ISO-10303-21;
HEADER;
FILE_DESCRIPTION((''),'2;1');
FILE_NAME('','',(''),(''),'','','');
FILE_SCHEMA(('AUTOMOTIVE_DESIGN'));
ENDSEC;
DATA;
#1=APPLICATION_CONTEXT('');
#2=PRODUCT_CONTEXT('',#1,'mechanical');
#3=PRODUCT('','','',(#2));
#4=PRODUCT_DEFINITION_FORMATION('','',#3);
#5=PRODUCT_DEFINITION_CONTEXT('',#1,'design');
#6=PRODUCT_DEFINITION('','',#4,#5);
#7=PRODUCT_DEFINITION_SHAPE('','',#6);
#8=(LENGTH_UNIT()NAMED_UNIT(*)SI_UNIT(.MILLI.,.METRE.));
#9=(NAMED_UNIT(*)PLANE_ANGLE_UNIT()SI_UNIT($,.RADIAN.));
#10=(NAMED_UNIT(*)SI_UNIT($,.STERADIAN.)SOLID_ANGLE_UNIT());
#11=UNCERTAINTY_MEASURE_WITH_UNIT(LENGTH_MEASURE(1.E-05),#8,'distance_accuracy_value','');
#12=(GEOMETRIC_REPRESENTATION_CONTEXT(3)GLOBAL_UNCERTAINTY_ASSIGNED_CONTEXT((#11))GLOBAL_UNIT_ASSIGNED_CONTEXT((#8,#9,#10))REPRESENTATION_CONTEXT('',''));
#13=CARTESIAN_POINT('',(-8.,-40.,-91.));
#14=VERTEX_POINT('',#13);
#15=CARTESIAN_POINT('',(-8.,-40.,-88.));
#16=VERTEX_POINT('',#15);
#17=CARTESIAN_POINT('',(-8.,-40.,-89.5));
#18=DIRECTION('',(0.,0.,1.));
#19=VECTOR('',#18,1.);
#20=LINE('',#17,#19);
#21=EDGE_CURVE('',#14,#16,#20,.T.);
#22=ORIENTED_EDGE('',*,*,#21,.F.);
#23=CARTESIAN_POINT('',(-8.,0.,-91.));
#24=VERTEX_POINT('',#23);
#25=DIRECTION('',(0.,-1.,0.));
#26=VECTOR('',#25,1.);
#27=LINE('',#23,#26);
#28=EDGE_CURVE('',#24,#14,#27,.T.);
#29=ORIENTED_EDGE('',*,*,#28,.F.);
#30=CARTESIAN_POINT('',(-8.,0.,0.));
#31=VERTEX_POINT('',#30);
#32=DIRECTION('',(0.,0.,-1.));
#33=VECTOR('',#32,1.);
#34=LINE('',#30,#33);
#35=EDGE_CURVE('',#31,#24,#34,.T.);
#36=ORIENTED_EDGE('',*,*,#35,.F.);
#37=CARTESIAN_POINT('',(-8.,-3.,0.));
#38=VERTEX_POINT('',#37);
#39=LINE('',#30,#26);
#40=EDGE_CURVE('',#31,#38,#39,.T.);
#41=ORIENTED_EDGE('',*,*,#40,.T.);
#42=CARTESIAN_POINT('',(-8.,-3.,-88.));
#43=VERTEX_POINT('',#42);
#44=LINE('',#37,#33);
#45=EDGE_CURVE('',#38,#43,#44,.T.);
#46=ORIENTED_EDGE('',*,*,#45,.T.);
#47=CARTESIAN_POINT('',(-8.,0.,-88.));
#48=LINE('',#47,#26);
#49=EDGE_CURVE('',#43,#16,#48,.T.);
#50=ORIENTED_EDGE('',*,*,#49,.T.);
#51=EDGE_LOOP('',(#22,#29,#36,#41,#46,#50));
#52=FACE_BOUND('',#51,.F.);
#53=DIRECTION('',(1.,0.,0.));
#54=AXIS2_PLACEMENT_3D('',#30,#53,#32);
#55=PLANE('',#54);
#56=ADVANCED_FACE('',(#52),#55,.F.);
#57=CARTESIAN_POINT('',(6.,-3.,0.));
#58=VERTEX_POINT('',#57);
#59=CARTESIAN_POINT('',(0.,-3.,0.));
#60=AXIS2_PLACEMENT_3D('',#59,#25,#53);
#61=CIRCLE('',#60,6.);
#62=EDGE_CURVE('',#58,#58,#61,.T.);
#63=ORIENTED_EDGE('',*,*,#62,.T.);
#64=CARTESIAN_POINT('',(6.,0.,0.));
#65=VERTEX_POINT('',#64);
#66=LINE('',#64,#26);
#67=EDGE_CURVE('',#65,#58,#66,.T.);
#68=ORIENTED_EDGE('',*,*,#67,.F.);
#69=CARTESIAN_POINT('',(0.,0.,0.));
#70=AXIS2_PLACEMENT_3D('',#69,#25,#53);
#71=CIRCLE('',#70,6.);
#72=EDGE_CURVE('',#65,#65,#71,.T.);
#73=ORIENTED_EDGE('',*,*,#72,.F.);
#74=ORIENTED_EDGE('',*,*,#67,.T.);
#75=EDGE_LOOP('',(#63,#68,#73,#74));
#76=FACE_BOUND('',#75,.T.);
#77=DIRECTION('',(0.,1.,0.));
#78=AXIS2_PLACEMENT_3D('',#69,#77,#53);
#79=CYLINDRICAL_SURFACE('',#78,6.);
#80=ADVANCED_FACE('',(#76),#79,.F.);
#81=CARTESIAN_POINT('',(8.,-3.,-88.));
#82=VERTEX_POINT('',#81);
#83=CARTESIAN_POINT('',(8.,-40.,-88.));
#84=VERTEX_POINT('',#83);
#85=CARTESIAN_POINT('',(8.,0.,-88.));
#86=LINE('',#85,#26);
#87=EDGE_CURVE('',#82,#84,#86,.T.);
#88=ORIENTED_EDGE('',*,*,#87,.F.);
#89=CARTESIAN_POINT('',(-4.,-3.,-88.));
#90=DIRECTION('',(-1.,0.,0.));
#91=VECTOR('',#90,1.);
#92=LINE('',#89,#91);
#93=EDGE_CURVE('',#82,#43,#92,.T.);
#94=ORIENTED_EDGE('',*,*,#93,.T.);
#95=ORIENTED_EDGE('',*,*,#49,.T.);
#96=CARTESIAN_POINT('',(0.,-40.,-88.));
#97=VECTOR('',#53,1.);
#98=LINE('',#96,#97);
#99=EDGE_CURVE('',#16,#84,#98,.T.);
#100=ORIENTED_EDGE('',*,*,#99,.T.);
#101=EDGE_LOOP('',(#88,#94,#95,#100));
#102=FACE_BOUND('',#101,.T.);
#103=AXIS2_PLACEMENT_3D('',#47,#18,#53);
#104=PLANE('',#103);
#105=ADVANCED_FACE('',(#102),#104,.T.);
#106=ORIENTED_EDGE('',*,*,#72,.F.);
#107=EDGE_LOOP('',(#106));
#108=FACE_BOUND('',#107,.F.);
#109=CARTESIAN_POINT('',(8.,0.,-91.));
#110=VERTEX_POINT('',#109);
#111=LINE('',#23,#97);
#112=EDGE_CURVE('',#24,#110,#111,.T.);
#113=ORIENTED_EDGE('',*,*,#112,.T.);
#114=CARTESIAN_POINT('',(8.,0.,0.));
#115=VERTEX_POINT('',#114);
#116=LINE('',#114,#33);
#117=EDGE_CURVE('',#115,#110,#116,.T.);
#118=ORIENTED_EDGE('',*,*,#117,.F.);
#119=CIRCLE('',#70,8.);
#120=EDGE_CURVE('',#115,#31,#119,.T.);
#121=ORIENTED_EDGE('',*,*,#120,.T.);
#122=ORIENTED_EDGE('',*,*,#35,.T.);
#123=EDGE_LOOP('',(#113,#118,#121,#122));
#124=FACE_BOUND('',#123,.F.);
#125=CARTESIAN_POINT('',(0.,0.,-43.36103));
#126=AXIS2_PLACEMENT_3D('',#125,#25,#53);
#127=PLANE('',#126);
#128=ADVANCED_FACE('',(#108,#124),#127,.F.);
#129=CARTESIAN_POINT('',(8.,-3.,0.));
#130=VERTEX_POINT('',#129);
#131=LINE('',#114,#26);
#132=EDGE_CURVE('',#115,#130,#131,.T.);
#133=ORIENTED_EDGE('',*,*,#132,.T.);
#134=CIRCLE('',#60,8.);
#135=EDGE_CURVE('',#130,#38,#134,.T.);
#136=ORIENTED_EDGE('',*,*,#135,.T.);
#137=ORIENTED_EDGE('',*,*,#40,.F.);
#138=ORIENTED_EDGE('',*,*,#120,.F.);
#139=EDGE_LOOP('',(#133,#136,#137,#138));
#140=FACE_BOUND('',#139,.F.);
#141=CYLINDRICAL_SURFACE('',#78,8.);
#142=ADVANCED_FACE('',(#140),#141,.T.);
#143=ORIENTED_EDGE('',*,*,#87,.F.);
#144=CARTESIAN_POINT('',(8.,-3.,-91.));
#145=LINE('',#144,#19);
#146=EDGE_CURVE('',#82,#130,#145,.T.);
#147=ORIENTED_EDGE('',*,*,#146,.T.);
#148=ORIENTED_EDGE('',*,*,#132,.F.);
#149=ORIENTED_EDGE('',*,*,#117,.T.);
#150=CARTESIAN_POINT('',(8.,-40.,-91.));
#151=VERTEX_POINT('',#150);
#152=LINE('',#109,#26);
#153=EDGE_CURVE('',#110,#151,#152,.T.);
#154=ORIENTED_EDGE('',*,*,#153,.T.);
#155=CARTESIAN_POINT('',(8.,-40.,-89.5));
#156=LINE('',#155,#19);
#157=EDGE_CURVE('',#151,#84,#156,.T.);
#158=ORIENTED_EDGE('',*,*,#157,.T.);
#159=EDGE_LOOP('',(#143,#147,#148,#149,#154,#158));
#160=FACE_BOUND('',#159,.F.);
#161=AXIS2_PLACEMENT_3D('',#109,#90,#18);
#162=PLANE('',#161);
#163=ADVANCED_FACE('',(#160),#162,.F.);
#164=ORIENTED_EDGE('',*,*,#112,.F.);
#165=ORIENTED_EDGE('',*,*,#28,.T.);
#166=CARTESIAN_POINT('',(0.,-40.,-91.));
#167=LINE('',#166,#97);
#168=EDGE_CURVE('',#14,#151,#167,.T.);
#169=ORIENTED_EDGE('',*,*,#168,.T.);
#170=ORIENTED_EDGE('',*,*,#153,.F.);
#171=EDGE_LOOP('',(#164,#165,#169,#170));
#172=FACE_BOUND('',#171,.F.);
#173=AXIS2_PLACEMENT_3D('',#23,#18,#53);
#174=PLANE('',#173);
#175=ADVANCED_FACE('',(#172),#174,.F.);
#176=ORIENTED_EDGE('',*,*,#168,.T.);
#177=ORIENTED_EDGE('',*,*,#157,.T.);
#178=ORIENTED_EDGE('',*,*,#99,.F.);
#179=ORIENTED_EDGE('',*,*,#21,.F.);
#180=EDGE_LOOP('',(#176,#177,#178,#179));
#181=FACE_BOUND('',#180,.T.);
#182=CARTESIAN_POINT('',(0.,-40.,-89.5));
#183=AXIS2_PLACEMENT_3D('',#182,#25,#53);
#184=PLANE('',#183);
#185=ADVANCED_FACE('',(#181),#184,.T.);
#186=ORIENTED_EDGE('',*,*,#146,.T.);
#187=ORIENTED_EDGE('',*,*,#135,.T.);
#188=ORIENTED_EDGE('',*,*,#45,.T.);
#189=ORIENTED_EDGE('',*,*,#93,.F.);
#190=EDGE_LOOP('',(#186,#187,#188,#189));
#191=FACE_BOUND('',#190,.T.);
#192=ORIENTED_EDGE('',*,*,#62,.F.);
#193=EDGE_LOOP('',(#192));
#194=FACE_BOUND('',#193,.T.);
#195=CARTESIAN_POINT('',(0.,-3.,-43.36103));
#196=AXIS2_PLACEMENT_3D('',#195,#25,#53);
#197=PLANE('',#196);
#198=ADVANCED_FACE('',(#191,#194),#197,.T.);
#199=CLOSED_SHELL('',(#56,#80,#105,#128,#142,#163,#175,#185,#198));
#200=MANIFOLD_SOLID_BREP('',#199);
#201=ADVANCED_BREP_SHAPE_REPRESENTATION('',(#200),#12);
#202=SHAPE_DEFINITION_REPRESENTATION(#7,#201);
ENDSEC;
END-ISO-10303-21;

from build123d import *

# Parameters (mm, degrees)
F0_R     = 6
F1_DEPTH = 3
F2_W     = 16
F2_H     = 3
F3_DEPTH = 40


with BuildPart() as f1:
    # F0 (on Front) → F1 (new body)
    with BuildSketch(Plane.XZ):
        with BuildLine():
            Line((-8, 0), (-8, -91))
            Line((-8, -91), (8, -91))
            Line((8, -91), (8, 0))
            ThreePointArc((8, 0), (0, 8), (-8, 0))
        make_face()
        Circle(F0_R, mode=Mode.SUBTRACT)
    extrude(amount=F1_DEPTH)

    # F2 (on Front) → F3 (join)
    with BuildSketch(Plane.XZ):
        with Locations((0, -89.5)):
            Rectangle(F2_W, F2_H)
    extrude(amount=F3_DEPTH)


solid = f1.part
